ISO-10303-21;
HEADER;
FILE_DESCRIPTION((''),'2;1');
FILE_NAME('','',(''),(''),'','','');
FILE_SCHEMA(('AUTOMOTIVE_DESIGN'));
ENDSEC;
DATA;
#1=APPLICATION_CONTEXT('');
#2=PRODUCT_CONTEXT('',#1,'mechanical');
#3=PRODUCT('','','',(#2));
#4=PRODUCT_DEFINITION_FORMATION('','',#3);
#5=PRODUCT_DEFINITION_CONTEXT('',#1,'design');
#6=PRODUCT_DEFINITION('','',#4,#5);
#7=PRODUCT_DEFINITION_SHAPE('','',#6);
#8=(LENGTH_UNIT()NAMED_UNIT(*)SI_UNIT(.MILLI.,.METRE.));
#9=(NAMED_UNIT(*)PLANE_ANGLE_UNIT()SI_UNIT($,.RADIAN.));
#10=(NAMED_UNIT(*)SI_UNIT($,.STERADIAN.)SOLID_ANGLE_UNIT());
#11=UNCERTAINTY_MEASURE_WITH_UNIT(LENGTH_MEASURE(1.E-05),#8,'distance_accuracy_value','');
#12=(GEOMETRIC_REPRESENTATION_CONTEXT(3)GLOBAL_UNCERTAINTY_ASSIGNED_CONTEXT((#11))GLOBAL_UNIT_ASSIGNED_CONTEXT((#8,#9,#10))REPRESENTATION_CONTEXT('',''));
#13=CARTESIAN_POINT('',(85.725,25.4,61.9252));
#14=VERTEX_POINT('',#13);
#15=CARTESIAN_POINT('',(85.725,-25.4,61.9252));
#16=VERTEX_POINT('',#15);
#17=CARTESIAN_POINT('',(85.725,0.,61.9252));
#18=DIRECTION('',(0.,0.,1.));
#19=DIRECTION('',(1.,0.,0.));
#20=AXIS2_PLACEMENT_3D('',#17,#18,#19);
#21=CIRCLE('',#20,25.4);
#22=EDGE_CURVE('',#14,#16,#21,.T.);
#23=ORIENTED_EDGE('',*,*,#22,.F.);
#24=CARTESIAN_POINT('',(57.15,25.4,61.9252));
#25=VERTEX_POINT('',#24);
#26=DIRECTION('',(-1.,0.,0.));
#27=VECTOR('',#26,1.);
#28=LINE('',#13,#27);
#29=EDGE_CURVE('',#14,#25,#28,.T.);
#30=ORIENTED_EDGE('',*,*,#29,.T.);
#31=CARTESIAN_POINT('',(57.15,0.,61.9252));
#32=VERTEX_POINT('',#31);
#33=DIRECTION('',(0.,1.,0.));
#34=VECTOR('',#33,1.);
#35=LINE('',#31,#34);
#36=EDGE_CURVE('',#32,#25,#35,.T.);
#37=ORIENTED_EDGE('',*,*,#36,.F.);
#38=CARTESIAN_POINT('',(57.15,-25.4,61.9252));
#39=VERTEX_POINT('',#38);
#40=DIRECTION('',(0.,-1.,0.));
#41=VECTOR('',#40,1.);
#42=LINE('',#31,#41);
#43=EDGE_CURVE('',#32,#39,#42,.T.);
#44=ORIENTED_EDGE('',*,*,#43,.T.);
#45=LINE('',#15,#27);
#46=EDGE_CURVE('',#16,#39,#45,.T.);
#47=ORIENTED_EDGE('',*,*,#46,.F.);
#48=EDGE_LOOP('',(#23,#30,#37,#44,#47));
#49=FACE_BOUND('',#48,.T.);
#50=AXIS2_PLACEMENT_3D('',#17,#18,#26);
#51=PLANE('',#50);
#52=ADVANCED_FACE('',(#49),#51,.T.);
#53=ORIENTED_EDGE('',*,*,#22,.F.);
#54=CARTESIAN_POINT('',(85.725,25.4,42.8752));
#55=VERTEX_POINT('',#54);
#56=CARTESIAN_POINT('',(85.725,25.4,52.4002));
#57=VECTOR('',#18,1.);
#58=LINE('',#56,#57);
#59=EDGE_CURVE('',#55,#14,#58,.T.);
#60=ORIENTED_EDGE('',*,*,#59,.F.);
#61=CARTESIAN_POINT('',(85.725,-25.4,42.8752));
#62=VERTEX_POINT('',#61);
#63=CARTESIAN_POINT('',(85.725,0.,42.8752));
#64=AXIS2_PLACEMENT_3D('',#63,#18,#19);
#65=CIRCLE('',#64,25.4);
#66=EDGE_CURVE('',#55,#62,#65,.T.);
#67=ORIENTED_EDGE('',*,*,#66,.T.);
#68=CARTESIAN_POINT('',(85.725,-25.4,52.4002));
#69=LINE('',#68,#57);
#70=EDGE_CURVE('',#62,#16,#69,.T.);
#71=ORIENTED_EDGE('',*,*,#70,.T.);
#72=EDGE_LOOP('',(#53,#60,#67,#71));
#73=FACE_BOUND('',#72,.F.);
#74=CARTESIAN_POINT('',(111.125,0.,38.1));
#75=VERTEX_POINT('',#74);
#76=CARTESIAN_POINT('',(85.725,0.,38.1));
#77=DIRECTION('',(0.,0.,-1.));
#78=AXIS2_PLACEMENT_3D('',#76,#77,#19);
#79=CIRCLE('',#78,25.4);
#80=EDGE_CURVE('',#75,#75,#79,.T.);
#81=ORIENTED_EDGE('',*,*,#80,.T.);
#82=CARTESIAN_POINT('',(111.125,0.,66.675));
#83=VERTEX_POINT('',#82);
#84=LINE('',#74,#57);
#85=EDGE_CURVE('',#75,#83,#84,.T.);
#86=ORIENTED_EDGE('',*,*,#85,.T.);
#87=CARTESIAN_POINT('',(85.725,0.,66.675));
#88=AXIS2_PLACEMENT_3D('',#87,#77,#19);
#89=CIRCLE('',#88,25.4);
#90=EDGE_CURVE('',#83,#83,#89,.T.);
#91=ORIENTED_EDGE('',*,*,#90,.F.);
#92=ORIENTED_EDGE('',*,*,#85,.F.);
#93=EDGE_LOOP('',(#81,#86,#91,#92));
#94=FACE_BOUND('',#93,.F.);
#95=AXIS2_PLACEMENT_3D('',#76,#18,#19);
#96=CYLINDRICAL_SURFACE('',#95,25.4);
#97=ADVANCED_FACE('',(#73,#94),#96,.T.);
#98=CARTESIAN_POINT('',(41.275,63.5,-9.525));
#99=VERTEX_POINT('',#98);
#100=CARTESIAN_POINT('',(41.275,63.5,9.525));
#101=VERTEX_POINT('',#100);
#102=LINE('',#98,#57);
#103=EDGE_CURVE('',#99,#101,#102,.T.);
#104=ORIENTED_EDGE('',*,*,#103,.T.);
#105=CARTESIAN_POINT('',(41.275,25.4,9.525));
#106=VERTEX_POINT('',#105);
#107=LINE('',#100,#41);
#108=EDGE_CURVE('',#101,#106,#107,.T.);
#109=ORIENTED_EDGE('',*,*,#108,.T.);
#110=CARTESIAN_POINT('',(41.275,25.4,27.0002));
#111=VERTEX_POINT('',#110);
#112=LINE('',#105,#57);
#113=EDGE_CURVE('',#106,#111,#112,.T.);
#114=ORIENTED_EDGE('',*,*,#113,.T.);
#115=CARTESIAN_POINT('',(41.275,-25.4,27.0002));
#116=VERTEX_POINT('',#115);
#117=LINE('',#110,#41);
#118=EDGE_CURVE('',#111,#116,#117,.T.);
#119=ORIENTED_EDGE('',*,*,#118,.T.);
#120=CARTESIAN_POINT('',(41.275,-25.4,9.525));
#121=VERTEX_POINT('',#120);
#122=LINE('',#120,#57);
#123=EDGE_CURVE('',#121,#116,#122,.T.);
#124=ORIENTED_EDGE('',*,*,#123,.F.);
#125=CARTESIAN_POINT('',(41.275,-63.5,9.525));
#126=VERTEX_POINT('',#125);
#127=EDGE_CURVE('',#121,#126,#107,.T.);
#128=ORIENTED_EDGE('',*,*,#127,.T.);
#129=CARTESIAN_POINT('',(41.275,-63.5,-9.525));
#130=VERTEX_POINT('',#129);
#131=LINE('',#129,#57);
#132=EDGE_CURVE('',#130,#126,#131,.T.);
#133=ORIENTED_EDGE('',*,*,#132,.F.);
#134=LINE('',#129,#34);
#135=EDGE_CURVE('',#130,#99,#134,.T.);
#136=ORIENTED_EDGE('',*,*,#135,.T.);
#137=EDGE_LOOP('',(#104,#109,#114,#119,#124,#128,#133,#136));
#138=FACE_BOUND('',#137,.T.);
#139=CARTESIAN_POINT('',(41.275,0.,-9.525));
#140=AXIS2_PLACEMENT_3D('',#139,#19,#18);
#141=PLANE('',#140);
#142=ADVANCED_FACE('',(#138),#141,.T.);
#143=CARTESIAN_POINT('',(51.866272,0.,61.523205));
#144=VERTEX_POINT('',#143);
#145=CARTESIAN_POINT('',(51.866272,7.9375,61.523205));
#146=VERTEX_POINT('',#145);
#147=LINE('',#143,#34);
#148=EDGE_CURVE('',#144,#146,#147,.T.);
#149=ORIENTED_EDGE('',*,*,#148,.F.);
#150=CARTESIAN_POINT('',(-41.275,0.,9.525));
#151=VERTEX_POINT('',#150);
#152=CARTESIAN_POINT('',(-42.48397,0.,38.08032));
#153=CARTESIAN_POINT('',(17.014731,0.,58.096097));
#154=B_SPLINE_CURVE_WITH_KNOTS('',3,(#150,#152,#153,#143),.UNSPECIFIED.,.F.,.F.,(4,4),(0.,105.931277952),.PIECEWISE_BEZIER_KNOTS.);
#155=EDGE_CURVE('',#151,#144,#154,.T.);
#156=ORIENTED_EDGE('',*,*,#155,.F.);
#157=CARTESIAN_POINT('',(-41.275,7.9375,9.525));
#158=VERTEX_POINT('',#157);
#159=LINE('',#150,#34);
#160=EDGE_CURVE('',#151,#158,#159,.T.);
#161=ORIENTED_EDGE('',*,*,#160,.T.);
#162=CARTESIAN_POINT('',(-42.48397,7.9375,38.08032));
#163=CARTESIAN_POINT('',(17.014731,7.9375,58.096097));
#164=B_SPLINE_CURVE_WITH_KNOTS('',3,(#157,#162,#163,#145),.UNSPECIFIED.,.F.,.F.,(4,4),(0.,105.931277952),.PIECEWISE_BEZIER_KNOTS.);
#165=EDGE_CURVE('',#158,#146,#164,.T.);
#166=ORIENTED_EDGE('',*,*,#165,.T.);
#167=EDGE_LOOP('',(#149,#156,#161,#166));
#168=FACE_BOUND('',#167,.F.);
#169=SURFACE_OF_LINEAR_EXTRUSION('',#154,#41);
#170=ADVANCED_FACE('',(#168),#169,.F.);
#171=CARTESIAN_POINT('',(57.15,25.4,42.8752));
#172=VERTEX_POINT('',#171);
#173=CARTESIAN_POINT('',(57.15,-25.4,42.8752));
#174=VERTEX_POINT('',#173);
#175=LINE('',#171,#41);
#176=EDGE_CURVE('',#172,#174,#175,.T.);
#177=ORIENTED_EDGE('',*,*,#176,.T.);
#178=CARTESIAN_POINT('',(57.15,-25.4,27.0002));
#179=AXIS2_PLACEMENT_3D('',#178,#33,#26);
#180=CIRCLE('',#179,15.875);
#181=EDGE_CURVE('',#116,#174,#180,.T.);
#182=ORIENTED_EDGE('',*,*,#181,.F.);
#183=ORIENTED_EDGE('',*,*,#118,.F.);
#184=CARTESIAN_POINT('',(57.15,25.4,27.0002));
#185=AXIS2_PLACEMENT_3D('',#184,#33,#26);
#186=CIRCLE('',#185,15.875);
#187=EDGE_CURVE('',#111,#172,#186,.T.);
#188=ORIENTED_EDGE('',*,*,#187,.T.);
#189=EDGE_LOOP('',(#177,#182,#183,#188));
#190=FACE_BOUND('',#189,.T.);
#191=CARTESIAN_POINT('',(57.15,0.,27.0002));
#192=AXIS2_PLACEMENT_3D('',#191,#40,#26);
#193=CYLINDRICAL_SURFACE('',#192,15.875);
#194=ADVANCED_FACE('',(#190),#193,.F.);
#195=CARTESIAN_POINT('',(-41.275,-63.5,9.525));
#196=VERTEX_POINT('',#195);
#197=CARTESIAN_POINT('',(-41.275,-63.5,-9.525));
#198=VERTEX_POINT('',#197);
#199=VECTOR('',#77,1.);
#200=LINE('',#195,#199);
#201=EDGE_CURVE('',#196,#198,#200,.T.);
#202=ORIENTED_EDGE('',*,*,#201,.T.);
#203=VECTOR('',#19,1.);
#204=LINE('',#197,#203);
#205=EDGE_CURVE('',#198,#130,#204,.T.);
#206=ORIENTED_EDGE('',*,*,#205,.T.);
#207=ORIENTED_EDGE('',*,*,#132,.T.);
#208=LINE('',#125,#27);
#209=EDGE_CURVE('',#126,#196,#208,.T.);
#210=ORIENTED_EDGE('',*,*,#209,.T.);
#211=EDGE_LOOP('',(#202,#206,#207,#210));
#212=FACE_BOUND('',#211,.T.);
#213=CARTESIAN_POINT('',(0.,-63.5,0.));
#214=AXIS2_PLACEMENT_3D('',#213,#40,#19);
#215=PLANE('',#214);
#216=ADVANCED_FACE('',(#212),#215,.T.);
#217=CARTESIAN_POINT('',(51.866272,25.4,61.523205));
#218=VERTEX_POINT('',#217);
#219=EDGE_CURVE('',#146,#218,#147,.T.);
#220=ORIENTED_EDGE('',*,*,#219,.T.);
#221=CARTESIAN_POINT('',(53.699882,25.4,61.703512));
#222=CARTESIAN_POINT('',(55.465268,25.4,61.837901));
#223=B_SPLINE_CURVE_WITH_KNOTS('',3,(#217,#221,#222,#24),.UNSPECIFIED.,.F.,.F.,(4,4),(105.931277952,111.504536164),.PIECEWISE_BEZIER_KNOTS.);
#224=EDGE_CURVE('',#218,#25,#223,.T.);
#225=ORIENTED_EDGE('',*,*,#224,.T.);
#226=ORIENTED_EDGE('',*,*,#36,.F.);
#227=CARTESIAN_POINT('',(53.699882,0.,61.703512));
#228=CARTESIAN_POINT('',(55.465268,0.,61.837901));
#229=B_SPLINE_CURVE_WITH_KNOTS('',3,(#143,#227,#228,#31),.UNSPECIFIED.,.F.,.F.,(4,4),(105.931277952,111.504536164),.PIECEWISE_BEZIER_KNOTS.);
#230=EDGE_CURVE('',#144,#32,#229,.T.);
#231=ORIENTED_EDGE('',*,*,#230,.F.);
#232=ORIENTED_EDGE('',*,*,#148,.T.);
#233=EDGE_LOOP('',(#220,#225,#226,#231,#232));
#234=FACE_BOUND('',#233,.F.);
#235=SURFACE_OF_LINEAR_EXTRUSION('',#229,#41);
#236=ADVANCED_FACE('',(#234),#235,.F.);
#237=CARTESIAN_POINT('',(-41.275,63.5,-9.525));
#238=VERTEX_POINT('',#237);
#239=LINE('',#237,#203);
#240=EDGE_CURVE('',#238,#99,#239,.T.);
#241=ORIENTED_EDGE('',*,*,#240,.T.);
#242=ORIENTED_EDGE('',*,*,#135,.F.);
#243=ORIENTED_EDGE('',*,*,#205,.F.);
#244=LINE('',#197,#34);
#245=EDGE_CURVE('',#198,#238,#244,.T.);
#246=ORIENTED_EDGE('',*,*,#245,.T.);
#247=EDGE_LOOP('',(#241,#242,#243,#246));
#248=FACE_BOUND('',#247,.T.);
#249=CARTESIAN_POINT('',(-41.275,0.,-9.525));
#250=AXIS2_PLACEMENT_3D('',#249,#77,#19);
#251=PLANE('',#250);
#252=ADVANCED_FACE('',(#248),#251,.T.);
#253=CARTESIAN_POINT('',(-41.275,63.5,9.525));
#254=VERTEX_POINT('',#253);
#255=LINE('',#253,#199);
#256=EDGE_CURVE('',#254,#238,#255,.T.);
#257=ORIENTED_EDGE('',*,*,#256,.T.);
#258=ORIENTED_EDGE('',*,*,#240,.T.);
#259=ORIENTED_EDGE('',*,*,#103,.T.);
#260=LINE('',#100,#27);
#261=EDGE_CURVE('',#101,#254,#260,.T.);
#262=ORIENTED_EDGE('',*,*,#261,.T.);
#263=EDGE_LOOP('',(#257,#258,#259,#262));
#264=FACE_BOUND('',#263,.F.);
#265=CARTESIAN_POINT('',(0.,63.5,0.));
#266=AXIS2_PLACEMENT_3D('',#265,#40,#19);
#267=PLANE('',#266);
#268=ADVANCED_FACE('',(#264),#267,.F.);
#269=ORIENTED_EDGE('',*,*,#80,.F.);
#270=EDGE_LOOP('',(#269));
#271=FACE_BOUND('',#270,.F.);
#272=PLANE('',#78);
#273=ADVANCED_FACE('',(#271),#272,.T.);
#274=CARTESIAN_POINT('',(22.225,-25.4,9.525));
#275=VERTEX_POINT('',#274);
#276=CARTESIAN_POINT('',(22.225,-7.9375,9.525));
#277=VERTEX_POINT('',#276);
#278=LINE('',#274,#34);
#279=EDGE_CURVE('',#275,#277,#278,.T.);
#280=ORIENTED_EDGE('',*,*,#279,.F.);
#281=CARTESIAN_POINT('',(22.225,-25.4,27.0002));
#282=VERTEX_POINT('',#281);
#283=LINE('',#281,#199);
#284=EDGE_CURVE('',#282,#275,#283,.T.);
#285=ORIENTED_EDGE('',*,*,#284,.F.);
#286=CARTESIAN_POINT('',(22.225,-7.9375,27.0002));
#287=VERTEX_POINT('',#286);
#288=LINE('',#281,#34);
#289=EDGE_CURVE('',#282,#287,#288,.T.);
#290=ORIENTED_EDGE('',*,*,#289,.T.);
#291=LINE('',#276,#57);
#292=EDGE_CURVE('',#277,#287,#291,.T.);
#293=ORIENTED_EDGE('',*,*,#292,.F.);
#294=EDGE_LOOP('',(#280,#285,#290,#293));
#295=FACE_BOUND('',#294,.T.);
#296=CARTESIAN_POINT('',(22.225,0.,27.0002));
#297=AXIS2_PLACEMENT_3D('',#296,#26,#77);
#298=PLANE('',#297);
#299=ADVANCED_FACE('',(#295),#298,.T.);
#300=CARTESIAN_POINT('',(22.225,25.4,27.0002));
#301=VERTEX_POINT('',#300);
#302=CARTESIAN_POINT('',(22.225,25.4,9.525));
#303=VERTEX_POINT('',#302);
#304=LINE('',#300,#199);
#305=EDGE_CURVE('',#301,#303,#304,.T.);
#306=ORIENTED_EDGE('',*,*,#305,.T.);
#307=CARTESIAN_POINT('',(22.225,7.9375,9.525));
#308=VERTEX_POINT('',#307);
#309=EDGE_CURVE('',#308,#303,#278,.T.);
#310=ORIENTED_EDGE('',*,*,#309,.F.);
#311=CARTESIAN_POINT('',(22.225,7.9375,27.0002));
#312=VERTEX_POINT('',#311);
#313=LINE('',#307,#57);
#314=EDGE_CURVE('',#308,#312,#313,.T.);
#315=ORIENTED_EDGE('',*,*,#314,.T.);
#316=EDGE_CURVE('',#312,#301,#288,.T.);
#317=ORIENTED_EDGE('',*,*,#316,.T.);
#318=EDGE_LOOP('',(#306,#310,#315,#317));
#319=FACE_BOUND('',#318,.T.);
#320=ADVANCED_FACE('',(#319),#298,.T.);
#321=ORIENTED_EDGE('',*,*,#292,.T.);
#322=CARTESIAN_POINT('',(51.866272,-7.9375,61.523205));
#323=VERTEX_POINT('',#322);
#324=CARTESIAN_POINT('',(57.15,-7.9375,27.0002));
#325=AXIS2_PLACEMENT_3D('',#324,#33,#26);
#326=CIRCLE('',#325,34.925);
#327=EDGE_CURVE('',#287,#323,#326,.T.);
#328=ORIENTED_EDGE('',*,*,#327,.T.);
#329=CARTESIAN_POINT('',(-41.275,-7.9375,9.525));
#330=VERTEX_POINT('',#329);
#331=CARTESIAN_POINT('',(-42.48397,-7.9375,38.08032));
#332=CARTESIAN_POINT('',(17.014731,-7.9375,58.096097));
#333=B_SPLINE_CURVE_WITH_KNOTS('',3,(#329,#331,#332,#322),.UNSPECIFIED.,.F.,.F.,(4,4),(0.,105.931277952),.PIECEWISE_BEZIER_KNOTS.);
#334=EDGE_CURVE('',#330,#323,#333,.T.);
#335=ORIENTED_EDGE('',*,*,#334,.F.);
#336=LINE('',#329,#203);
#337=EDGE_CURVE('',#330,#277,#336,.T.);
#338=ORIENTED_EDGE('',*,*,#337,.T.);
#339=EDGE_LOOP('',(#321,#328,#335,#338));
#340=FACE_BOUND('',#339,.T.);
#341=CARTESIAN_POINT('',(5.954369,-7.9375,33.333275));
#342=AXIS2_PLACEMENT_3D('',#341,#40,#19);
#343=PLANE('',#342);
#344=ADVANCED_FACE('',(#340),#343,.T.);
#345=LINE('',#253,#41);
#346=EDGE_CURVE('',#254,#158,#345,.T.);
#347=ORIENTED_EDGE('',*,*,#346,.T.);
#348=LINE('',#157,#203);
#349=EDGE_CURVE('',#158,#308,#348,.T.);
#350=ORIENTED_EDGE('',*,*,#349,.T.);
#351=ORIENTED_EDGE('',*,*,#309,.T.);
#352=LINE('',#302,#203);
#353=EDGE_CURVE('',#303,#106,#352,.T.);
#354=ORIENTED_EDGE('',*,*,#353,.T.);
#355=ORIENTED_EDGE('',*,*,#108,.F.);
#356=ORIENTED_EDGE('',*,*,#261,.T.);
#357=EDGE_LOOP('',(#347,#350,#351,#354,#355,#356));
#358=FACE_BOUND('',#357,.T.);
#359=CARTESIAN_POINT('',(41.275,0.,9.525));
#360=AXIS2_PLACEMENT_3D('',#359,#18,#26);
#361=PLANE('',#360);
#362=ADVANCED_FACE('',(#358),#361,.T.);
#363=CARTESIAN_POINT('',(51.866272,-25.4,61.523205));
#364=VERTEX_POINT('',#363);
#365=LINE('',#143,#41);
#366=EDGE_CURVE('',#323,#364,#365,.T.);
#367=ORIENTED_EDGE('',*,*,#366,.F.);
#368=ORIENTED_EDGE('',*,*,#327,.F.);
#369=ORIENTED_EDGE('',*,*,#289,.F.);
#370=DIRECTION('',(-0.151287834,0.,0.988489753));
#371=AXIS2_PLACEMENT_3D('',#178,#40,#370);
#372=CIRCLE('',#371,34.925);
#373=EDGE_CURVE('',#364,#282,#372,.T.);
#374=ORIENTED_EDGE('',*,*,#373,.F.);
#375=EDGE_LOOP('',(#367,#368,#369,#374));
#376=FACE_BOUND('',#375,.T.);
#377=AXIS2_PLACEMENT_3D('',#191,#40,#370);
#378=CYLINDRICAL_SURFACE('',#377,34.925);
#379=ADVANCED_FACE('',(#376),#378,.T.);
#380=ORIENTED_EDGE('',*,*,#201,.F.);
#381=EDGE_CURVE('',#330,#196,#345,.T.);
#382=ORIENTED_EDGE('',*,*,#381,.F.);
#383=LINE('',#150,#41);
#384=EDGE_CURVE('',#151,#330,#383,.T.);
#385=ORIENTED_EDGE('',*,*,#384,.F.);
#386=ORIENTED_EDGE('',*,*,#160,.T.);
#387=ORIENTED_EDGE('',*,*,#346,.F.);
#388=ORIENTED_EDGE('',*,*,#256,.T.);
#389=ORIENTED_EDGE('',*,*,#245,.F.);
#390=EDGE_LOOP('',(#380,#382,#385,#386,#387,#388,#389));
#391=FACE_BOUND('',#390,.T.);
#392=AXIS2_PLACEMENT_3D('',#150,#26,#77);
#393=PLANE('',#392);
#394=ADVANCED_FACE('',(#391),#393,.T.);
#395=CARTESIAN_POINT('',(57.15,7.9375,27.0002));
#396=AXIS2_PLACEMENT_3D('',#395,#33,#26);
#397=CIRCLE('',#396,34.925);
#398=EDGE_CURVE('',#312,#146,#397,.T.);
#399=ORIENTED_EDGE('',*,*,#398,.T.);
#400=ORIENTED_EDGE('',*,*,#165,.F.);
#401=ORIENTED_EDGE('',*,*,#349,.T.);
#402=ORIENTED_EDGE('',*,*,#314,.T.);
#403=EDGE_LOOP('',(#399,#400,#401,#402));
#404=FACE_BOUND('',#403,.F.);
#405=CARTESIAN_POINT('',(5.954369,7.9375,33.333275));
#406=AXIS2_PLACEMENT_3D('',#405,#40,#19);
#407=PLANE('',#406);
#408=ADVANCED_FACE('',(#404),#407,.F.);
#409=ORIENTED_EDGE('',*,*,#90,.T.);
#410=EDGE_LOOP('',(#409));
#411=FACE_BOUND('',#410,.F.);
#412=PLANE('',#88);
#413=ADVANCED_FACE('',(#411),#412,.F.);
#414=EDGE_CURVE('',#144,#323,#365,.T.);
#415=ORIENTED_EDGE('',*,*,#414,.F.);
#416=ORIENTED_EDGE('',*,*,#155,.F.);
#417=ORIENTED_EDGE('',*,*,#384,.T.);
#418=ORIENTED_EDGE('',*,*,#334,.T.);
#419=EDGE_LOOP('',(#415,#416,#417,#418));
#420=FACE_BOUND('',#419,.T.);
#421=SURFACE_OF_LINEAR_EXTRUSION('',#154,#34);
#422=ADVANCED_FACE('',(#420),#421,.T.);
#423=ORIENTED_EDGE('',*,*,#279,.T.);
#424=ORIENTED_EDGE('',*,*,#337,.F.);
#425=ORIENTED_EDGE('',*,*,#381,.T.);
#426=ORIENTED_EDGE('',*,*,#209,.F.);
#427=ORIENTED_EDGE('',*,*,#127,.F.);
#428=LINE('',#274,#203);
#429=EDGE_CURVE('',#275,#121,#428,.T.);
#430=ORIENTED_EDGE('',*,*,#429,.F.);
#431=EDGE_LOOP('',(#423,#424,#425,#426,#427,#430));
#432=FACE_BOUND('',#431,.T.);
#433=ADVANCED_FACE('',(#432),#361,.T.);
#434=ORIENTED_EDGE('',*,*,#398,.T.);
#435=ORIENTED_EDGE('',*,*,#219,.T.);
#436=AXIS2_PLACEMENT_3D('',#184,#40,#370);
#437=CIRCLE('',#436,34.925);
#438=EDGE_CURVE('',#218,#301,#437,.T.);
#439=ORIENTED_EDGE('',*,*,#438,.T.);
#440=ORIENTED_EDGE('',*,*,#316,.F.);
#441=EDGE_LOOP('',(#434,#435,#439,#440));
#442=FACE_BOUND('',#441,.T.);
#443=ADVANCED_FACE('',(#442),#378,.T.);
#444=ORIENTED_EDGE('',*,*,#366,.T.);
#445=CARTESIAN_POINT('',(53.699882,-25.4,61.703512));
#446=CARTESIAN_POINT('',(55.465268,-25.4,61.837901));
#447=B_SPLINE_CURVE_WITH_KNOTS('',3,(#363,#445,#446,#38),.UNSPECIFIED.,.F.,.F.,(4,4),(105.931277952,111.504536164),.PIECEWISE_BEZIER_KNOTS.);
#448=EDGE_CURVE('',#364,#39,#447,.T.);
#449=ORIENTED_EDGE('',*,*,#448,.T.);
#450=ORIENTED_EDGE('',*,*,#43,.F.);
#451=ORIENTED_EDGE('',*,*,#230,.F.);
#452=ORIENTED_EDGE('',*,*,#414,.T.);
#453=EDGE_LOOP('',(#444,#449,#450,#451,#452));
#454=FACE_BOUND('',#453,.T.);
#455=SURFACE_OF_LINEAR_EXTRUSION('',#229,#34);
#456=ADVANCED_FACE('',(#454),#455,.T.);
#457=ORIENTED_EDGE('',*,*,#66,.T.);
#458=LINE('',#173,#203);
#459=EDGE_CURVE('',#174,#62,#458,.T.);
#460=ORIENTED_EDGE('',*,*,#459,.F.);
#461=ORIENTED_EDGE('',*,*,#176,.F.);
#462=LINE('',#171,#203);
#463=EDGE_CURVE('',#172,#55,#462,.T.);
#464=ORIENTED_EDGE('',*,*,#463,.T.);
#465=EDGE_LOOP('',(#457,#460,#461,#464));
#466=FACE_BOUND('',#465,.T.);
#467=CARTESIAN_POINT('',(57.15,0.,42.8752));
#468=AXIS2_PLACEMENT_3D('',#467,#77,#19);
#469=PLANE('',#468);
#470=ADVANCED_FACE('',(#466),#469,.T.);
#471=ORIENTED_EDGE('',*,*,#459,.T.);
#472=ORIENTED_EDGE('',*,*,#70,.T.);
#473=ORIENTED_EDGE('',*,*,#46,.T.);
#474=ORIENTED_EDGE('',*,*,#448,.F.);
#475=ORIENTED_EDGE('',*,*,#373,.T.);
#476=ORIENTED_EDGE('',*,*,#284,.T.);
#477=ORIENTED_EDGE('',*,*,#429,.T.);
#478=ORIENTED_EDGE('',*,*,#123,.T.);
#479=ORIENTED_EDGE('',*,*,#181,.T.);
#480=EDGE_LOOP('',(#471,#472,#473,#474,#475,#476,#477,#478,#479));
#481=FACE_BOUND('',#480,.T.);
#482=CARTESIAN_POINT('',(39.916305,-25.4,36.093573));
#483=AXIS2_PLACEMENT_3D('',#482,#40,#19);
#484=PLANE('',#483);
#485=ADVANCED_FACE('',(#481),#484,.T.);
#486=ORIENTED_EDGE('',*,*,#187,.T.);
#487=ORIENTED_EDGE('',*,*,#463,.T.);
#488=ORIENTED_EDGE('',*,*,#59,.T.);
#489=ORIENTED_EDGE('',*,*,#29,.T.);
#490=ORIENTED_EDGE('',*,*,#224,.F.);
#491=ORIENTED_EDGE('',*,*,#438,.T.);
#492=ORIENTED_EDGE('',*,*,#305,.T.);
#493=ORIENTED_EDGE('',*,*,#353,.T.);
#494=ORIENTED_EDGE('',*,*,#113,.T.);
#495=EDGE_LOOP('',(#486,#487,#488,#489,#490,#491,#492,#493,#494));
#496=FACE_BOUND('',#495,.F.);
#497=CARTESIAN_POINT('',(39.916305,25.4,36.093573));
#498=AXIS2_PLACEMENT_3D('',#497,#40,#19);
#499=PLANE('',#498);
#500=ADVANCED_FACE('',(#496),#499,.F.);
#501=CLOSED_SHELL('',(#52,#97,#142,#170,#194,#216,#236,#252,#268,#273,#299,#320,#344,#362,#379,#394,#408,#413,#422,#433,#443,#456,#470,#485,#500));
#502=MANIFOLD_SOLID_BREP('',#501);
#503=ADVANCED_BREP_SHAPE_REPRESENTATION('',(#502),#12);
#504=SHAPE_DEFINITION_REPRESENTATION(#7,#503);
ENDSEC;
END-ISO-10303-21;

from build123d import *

# Parameters (mm, degrees)
F1_DEPTH = 63.5
F2_DEPTH = 7.9375
F0_W     = 25.4
F0_H     = 19.05
F3_DEPTH = 25.4


with BuildPart() as f1:
    # F0 (on Front) → F1 (new body, symmetric)
    with BuildSketch(Plane.XZ):
        Polygon((41.275, -9.525), (41.275, 9.525), (22.225, 9.525), (-41.275, 9.525), (-41.275, -9.525), align=None)
    extrude(amount=F1_DEPTH, both=True)

    # F0 (on Front) → F2 (join, symmetric)
    with BuildSketch(Plane.XZ):
        with BuildLine():
            Line((-41.275, 9.525), (22.225, 9.525))
            Line((22.225, 9.525), (22.225, 27.0002))
            ThreePointArc((22.225, 27.0002), (30.6519829848, 49.7512597394), (51.8662723988, 61.5232046148))
            add(Edge.make_bspline(
                [(-41.275, 9.525), (-42.4839697901, 38.0803204512), (17.0147305919, 58.0960971438), (51.8662723988, 61.5232046148)],
                knots=[0, 0, 0, 0, 105.9312779521, 105.9312779521, 105.9312779521, 105.9312779521], degree=3))
        make_face()
    extrude(amount=F2_DEPTH, both=True)

    # F0 (on Front) → F3 (join, symmetric)
    with BuildSketch(Plane.XZ):
        with BuildLine():
            Line((22.225, 9.525), (41.275, 9.525))
            Line((41.275, 9.525), (41.275, 27.0002))
            ThreePointArc((41.275, 27.0002), (45.9246798487, 38.2255201513), (57.15, 42.8752))
            Line((57.15, 42.8752), (60.325, 42.8752))
            Line((60.325, 42.8752), (60.325, 61.9252))
            Line((60.325, 61.9252), (57.15, 61.9252))
            add(Edge.make_bspline(
                [(51.8662723988, 61.5232046148), (53.6998823137, 61.7035116518), (55.4652682936, 61.8379008486), (57.15, 61.9252)],
                knots=[105.9312779521, 105.9312779521, 105.9312779521, 105.9312779521, 111.5045361635, 111.5045361635, 111.5045361635, 111.5045361635], degree=3))
            ThreePointArc((51.8662723988, 61.5232046148), (30.6519829848, 49.7512597394), (22.225, 27.0002))
            Line((22.225, 27.0002), (22.225, 9.525))
        make_face()
        with Locations((73.025, 52.4002)):
            Rectangle(F0_W, F0_H)
    extrude(amount=F3_DEPTH, both=True)

    # F0 (on Front) → F4 (revolve)
    with BuildSketch(Plane.XZ):
        Polygon((85.725, 61.9252), (85.725, 42.8752), (85.725, 38.1), (111.125, 38.1), (111.125, 66.675), (85.725, 66.675), align=None)
    revolve(axis=Axis((85.725, 0, 52.3875), (0, 0, -1)))


solid = f1.part
